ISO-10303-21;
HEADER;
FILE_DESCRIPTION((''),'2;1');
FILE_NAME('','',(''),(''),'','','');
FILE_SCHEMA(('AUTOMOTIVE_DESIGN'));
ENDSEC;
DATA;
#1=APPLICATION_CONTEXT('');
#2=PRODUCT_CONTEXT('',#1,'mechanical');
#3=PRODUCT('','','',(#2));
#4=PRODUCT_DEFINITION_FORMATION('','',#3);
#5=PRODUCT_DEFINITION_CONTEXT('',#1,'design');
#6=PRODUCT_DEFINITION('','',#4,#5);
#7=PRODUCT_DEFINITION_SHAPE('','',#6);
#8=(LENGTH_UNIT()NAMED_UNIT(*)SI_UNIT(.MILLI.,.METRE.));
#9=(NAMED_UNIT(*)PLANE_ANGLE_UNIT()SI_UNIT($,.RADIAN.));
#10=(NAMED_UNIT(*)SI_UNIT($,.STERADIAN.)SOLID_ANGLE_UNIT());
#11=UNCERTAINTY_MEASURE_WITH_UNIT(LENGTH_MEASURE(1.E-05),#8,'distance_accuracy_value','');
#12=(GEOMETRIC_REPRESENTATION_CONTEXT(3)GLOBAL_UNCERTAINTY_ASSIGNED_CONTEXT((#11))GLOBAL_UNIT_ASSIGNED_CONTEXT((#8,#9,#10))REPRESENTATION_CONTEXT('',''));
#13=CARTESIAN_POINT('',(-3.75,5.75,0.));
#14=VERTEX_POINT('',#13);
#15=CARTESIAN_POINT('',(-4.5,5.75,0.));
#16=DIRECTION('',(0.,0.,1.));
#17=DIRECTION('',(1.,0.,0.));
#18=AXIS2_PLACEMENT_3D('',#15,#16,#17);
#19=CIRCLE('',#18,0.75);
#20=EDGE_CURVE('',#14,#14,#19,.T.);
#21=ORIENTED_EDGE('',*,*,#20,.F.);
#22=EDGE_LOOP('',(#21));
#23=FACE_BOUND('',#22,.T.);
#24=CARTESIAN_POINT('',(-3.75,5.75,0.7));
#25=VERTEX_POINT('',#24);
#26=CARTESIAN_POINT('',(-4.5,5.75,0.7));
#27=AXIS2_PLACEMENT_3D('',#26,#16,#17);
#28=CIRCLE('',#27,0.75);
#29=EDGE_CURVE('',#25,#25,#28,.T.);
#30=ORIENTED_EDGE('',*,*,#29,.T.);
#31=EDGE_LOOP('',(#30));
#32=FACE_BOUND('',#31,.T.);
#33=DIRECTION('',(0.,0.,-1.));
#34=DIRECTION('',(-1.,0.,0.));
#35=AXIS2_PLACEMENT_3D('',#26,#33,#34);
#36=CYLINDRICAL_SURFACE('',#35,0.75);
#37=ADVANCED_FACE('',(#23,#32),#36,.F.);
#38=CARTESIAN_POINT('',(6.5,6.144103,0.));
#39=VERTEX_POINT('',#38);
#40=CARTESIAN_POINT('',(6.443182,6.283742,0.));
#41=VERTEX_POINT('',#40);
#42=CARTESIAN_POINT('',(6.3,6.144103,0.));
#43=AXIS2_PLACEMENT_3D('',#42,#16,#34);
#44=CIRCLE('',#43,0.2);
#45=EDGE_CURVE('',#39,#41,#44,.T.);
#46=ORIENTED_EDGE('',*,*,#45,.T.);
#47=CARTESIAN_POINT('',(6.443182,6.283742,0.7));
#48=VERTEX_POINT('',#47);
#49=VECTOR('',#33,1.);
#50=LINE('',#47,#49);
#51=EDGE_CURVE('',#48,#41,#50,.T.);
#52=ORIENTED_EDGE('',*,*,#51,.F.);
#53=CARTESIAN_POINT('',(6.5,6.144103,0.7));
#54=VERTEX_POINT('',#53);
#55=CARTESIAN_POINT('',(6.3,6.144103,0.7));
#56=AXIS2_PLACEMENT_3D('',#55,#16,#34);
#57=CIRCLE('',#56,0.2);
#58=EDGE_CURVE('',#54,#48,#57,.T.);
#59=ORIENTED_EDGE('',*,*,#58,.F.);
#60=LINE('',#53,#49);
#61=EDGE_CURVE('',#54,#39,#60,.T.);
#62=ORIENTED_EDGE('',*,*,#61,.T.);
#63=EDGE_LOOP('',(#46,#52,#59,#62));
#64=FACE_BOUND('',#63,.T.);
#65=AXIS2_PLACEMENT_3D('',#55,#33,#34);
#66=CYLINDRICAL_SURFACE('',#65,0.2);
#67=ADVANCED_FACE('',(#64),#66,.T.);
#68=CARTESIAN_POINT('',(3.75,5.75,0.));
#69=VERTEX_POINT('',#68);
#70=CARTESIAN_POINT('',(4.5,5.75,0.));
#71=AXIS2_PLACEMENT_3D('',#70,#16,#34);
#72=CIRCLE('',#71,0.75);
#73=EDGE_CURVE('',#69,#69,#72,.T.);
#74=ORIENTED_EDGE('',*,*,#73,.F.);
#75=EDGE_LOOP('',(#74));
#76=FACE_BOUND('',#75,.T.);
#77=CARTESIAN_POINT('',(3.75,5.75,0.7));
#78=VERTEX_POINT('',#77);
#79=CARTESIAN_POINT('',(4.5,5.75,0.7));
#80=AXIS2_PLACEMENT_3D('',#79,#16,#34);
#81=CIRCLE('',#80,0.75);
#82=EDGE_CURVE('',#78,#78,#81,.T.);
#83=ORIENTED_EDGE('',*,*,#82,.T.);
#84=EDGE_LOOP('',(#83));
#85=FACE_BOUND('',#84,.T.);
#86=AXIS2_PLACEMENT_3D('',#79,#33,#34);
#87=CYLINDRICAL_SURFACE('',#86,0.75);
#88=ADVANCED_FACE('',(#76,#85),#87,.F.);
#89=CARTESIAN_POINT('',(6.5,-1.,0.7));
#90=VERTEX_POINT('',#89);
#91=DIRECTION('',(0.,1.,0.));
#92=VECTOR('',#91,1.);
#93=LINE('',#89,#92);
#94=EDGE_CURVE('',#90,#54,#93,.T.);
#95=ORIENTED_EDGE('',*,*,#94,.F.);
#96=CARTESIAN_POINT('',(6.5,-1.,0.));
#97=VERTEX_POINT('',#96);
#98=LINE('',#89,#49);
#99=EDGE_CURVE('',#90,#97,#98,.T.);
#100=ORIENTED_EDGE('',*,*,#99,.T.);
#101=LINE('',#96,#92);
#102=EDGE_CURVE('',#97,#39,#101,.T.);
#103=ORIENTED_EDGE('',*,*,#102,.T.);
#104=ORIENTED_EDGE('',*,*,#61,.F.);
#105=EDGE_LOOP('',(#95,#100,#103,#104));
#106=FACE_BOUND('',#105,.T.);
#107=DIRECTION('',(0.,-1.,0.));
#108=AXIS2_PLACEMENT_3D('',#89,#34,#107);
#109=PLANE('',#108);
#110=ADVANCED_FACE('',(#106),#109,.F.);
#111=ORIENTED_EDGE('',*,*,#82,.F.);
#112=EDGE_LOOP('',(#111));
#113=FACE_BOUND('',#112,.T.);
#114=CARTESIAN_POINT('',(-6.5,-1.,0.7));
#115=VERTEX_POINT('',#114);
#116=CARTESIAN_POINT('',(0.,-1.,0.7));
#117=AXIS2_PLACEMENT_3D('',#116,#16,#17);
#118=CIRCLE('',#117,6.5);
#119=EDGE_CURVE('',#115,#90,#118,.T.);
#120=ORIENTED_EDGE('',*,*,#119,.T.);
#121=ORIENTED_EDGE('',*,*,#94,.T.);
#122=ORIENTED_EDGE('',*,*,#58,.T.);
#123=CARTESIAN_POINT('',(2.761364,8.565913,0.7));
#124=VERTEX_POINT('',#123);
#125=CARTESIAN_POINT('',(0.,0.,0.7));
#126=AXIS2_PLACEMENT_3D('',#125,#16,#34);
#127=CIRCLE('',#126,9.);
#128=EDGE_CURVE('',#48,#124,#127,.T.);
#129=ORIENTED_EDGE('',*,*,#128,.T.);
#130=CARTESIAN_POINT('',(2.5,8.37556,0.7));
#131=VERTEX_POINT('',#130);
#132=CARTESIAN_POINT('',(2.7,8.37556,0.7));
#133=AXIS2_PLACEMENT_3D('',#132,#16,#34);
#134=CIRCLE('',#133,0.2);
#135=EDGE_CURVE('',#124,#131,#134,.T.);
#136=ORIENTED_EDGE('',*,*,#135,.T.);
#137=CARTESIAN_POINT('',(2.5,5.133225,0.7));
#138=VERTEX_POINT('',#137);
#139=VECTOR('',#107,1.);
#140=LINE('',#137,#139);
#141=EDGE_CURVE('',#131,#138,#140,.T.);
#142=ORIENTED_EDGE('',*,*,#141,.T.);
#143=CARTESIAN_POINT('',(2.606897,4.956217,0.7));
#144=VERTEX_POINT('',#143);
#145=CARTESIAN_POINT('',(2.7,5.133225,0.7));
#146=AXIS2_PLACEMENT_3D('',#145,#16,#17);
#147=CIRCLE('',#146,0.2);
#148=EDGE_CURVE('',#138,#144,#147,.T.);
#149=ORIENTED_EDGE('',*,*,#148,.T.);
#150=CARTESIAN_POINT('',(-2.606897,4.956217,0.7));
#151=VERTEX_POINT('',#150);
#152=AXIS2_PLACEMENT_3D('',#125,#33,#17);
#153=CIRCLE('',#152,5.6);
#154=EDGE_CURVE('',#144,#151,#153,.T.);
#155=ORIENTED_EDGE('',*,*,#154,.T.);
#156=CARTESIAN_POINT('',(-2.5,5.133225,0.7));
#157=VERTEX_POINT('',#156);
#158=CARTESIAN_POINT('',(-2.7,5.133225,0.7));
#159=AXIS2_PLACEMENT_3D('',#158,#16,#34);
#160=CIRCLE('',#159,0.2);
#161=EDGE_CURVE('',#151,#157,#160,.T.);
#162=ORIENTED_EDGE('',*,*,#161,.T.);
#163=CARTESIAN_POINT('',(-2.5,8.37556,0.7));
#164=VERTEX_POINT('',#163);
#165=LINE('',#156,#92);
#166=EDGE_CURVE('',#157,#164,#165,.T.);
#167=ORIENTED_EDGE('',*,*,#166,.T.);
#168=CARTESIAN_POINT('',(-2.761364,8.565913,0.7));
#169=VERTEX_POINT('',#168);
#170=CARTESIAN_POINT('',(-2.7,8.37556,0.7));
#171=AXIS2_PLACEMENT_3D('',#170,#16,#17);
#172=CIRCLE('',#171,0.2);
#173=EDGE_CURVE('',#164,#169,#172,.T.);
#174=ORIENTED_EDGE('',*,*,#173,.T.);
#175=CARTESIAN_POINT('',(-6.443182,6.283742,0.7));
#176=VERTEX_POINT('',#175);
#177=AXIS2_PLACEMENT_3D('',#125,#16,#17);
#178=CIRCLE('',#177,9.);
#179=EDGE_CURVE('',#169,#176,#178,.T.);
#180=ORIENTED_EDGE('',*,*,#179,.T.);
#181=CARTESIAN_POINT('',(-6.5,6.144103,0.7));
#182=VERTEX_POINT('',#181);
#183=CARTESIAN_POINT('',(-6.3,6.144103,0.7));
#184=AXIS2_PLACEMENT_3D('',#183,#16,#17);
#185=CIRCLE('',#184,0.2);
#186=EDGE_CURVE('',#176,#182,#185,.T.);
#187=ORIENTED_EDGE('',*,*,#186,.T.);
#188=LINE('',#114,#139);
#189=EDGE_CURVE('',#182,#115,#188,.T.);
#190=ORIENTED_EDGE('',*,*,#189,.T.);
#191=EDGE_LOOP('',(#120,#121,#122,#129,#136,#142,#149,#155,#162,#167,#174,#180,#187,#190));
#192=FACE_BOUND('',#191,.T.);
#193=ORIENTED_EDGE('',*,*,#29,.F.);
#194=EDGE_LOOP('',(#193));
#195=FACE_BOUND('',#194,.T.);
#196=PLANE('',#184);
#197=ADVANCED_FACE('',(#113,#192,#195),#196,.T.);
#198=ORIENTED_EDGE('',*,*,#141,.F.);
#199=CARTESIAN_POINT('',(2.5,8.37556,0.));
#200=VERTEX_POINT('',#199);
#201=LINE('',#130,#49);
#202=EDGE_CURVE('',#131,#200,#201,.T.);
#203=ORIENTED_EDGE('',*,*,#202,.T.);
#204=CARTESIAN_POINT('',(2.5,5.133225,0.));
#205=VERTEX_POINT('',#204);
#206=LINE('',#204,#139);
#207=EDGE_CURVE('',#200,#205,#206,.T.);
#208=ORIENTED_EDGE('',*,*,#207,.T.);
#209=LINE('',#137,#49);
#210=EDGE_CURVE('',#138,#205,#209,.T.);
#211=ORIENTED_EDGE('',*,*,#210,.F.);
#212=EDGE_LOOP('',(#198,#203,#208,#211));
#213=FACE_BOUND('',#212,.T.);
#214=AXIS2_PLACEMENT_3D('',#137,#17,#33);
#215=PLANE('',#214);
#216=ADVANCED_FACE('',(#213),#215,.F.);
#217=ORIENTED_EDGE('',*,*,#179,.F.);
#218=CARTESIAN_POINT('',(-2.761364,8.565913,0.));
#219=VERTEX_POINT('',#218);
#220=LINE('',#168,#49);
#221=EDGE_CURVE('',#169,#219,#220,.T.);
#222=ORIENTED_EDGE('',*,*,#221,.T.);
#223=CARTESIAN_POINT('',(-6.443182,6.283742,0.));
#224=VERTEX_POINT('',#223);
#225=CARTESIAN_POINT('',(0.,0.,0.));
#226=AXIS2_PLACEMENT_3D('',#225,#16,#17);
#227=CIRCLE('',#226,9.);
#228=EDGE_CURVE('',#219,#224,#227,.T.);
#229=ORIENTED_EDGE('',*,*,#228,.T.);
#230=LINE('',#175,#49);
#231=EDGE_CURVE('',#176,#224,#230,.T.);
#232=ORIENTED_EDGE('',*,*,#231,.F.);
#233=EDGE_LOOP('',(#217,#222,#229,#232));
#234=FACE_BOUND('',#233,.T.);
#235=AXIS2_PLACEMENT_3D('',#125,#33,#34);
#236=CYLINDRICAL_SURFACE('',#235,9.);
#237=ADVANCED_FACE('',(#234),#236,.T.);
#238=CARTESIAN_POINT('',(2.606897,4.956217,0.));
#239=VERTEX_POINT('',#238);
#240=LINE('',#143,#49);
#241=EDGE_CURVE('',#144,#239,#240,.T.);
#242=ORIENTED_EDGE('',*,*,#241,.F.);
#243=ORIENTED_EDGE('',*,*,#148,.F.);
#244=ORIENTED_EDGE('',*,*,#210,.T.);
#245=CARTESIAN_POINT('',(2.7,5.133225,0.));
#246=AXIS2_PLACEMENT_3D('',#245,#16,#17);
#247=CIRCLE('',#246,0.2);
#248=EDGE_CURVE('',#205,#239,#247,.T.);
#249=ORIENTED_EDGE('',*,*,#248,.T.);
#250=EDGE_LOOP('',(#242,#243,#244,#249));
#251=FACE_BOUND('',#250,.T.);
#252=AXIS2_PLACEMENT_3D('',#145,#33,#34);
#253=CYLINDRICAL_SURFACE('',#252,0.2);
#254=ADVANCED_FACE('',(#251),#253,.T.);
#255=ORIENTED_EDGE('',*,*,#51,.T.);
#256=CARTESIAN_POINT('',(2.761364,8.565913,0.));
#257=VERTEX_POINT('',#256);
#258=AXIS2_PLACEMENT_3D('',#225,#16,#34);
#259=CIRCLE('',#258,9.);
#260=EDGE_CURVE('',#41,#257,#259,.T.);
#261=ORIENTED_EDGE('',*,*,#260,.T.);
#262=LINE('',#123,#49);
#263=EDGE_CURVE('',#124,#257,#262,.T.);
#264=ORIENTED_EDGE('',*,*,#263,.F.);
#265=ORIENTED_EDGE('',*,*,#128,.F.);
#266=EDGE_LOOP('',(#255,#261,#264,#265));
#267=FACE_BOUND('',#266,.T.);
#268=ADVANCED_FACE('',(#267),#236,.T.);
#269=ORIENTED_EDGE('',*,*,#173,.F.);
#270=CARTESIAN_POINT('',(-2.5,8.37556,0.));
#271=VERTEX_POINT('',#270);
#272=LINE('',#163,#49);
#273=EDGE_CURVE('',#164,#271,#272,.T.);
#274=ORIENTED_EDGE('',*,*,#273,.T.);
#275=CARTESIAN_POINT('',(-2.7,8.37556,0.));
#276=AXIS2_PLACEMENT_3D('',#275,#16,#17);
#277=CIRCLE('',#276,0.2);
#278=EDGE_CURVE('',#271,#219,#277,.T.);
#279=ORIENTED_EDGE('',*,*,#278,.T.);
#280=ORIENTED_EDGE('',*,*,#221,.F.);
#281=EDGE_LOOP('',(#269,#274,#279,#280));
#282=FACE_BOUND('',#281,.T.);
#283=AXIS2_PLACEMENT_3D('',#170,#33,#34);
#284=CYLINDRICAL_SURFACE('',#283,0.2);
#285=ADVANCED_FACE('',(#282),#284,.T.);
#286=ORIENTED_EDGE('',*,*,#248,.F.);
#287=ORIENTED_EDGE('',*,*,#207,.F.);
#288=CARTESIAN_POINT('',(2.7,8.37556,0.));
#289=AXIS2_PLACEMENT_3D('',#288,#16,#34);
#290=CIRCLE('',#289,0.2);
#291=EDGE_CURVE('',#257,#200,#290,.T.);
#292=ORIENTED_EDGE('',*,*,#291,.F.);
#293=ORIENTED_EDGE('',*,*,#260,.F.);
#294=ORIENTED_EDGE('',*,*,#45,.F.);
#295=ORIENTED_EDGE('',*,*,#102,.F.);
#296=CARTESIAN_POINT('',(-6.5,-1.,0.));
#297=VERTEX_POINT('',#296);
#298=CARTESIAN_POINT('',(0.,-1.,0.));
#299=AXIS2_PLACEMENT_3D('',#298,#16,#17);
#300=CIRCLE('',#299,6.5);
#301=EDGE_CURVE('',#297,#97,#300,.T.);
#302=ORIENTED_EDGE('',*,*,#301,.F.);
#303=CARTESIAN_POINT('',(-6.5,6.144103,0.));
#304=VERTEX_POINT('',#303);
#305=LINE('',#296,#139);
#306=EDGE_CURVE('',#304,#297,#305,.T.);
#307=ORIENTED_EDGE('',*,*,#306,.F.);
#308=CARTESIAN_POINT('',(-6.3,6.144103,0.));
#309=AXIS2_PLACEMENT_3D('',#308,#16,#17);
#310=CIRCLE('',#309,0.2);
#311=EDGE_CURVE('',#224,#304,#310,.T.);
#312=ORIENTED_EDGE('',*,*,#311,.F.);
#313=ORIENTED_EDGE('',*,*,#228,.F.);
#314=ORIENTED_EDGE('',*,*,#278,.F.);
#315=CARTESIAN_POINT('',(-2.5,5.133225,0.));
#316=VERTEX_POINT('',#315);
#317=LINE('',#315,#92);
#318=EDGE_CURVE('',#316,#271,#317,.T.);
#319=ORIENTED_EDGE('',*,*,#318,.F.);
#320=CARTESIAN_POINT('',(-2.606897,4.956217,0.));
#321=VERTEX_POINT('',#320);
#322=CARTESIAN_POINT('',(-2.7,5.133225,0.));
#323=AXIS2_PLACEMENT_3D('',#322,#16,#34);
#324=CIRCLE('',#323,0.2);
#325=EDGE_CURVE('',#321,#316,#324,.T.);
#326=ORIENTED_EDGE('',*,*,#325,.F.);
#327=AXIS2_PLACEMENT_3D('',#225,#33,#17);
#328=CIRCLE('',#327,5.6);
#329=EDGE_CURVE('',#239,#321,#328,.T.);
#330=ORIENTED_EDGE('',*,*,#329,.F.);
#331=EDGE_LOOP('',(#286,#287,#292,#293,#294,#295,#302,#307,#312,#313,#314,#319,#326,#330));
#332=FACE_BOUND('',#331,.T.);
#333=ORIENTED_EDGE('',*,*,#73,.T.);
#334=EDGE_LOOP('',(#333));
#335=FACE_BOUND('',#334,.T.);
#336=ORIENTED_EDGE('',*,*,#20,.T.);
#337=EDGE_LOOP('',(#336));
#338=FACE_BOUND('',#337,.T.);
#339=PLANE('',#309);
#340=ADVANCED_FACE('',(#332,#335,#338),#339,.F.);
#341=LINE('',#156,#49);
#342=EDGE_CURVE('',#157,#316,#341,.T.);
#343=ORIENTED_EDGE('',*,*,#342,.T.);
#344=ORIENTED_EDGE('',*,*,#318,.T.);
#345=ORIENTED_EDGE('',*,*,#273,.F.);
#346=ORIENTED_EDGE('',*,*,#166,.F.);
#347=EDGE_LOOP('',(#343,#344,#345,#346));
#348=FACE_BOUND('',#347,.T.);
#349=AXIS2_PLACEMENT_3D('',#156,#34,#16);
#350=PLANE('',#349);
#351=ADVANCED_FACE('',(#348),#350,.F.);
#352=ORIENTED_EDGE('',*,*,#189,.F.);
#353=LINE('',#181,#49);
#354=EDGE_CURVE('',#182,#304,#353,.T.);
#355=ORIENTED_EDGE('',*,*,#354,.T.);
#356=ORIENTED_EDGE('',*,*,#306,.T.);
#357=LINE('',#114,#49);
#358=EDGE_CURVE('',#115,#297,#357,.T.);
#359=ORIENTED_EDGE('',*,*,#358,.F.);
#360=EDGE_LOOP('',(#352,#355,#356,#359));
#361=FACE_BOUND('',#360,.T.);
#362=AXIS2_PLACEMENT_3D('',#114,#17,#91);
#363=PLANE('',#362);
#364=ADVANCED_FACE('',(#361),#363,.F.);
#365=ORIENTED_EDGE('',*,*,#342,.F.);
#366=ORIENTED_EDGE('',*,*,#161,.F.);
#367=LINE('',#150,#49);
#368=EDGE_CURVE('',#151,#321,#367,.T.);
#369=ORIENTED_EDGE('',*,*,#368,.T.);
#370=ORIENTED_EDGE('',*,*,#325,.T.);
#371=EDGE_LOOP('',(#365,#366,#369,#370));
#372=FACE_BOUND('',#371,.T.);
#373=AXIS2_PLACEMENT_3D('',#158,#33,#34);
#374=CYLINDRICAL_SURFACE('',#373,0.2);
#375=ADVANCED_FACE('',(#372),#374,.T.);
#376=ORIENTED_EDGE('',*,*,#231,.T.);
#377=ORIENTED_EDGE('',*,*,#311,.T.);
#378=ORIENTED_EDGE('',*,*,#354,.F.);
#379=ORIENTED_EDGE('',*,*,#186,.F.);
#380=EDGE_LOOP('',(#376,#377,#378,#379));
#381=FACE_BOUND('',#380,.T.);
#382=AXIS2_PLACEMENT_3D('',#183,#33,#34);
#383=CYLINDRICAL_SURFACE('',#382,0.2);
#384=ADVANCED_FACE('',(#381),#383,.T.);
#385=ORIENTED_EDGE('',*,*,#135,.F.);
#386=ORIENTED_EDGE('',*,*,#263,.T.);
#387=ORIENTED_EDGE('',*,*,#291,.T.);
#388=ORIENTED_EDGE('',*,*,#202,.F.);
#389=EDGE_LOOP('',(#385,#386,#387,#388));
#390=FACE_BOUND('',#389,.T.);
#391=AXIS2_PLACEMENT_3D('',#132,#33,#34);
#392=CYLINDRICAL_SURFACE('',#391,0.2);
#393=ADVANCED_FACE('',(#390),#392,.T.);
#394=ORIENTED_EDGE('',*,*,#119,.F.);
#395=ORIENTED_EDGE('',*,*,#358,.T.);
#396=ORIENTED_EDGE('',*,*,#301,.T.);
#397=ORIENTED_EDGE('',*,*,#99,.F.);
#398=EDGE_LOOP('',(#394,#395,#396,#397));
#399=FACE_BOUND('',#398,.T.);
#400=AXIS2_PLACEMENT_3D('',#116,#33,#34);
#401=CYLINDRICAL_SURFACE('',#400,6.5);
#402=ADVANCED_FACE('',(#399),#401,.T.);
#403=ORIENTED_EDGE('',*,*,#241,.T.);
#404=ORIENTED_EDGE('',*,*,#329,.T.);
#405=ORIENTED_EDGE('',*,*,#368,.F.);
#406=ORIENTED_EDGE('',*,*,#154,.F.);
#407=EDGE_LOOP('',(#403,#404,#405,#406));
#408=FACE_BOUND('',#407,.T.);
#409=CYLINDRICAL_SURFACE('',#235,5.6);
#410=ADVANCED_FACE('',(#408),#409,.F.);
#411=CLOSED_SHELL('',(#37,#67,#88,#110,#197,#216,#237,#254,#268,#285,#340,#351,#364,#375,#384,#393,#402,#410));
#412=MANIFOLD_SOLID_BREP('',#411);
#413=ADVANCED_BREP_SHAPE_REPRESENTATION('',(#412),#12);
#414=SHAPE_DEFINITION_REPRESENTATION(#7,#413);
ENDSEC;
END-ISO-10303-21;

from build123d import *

# Parameters (mm, degrees)
ESQUISSE1_R      = 0.75
EXTRUSION1_DEPTH = 0.7


with BuildPart() as part:
    # Esquisse1 → Extrusion1 (new body)
    with BuildSketch(Plane.XY):
        with BuildLine():
            Line((-6.5, -1), (-6.5, 6.144102864))
            ThreePointArc((-6.5, 6.144102864), (-6.485251672, 6.2194807), (-6.443181818, 6.283741565))
            ThreePointArc((-6.443181818, 6.283741565), (-4.741623269, 7.649641088), (-2.761363636, 8.565913312))
            ThreePointArc((-2.761363636, 8.565913312), (-2.582256056, 8.53722713), (-2.5, 8.375559683))
            Line((-2.5, 8.375559683), (-2.5, 5.133225107))
            ThreePointArc((-2.5, 5.133225107), (-2.528797357, 5.029834318), (-2.606896552, 4.956217345))
            ThreePointArc((-2.606896552, 4.956217345), (0, -5.6), (2.606896552, 4.956217345))
            ThreePointArc((2.606896552, 4.956217345), (2.528797357, 5.029834318), (2.5, 5.133225107))
            Line((2.5, 5.133225107), (2.5, 8.375559683))
            ThreePointArc((2.5, 8.375559683), (2.582256056, 8.53722713), (2.761363636, 8.565913312))
            ThreePointArc((2.761363636, 8.565913312), (4.741623269, 7.649641088), (6.443181818, 6.283741565))
            ThreePointArc((6.443181818, 6.283741565), (6.485251672, 6.2194807), (6.5, 6.144102864))
            Line((6.5, 6.144102864), (6.5, -1))
            ThreePointArc((6.5, -1), (0, -7.5), (-6.5, -1))
        make_face()
        with Locations((-4.5, 5.75)):
            Circle(ESQUISSE1_R, mode=Mode.SUBTRACT)
        with Locations((4.5, 5.75)):
            Circle(ESQUISSE1_R, mode=Mode.SUBTRACT)
    extrude(amount=EXTRUSION1_DEPTH)


solid = part.part
